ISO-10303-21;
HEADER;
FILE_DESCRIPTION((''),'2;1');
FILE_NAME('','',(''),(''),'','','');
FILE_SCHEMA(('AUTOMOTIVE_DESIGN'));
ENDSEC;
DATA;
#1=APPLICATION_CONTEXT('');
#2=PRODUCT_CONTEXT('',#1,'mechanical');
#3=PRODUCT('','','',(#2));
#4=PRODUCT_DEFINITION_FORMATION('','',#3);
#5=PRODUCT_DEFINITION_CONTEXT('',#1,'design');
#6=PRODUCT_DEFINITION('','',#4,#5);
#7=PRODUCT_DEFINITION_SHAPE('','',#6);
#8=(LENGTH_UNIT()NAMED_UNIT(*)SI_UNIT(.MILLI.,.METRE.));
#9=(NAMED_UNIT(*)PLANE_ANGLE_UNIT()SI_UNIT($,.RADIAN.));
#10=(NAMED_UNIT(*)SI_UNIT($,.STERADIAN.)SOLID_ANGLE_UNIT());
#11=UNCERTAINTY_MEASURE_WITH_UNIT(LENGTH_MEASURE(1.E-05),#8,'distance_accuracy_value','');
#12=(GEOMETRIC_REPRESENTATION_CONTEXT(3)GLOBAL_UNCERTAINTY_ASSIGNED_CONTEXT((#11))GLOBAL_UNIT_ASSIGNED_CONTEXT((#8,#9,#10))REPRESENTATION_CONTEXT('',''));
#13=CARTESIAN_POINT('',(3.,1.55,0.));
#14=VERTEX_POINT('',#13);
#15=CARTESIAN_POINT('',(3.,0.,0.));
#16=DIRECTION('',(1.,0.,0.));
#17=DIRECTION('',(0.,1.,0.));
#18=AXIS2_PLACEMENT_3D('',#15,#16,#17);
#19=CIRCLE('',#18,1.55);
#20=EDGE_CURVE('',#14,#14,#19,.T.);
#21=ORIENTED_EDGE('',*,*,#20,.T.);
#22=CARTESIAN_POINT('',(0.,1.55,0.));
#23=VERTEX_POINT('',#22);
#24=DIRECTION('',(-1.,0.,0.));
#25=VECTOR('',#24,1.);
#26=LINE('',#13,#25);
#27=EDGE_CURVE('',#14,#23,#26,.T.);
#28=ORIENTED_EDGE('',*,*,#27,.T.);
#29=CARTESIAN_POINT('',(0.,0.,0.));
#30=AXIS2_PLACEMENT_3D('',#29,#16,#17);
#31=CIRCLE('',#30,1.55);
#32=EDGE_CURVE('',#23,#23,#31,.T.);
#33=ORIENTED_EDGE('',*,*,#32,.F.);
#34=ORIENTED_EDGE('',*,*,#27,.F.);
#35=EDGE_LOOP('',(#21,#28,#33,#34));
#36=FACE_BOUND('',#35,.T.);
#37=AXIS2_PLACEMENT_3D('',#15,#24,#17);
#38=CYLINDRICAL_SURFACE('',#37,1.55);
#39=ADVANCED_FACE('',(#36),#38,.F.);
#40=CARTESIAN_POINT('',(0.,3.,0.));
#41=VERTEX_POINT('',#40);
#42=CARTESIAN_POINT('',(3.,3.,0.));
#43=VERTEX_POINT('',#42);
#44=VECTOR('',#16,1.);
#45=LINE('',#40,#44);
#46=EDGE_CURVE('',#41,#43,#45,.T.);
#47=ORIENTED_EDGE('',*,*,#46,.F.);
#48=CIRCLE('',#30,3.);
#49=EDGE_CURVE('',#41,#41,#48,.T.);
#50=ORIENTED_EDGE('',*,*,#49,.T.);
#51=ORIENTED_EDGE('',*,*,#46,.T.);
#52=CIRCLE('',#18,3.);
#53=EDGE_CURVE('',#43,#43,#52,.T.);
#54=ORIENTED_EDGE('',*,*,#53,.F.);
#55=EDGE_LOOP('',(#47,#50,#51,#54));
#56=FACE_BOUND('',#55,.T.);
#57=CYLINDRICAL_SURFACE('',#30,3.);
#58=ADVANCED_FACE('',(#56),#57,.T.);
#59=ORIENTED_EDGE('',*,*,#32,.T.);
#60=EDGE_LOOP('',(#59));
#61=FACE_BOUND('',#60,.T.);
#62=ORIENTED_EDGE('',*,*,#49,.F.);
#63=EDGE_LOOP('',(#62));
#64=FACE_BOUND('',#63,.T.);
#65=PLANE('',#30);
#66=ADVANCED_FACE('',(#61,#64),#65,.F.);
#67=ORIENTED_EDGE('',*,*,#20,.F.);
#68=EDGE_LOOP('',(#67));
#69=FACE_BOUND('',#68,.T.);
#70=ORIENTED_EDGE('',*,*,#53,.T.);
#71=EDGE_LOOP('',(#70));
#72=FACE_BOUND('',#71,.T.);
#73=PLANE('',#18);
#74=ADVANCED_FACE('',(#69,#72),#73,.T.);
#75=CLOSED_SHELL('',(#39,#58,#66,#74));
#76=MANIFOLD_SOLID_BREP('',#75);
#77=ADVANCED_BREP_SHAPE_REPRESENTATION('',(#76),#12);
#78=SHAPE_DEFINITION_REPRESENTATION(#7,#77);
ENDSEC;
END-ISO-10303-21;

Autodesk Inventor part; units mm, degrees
ref_plane "Plan YZ" through (0, 0, 0) normal (1, 0, 0) x (0, 1, 0)
ref_plane "Plan XZ" through (0, 0, 0) normal (0, 1, 0) x (-1, 0, 0)
ref_plane "Plan XY" through (0, 0, 0) normal (0, 0, 1) x (1, 0, 0)
sketch "Esquisse1" plane through (0, 0, 0) normal (0, 0, 1) x (1, 0, 0)
  line L0 (0, 3) -> (3, 3)
  line L1 (3, 3) -> (3, 1.55)
  line L2 (3, 1.55) -> (0, 1.55)
  line L3 (0, 1.55) -> (0, 3)
  line L4 (-0.6, 0) -> (3.6, 0) construction
  point P0 (0, 0)
  dimension "d0" = 3.1
  dimension "d1" = 6
  dimension "d2" = 3
revolve "Révolution1" add sketch "Esquisse1" angle 360 about axis through (-10, 0, 0) along (1, 0, 0)
properties part number "BN5281_3.1x6x3" material "PA6.6"
